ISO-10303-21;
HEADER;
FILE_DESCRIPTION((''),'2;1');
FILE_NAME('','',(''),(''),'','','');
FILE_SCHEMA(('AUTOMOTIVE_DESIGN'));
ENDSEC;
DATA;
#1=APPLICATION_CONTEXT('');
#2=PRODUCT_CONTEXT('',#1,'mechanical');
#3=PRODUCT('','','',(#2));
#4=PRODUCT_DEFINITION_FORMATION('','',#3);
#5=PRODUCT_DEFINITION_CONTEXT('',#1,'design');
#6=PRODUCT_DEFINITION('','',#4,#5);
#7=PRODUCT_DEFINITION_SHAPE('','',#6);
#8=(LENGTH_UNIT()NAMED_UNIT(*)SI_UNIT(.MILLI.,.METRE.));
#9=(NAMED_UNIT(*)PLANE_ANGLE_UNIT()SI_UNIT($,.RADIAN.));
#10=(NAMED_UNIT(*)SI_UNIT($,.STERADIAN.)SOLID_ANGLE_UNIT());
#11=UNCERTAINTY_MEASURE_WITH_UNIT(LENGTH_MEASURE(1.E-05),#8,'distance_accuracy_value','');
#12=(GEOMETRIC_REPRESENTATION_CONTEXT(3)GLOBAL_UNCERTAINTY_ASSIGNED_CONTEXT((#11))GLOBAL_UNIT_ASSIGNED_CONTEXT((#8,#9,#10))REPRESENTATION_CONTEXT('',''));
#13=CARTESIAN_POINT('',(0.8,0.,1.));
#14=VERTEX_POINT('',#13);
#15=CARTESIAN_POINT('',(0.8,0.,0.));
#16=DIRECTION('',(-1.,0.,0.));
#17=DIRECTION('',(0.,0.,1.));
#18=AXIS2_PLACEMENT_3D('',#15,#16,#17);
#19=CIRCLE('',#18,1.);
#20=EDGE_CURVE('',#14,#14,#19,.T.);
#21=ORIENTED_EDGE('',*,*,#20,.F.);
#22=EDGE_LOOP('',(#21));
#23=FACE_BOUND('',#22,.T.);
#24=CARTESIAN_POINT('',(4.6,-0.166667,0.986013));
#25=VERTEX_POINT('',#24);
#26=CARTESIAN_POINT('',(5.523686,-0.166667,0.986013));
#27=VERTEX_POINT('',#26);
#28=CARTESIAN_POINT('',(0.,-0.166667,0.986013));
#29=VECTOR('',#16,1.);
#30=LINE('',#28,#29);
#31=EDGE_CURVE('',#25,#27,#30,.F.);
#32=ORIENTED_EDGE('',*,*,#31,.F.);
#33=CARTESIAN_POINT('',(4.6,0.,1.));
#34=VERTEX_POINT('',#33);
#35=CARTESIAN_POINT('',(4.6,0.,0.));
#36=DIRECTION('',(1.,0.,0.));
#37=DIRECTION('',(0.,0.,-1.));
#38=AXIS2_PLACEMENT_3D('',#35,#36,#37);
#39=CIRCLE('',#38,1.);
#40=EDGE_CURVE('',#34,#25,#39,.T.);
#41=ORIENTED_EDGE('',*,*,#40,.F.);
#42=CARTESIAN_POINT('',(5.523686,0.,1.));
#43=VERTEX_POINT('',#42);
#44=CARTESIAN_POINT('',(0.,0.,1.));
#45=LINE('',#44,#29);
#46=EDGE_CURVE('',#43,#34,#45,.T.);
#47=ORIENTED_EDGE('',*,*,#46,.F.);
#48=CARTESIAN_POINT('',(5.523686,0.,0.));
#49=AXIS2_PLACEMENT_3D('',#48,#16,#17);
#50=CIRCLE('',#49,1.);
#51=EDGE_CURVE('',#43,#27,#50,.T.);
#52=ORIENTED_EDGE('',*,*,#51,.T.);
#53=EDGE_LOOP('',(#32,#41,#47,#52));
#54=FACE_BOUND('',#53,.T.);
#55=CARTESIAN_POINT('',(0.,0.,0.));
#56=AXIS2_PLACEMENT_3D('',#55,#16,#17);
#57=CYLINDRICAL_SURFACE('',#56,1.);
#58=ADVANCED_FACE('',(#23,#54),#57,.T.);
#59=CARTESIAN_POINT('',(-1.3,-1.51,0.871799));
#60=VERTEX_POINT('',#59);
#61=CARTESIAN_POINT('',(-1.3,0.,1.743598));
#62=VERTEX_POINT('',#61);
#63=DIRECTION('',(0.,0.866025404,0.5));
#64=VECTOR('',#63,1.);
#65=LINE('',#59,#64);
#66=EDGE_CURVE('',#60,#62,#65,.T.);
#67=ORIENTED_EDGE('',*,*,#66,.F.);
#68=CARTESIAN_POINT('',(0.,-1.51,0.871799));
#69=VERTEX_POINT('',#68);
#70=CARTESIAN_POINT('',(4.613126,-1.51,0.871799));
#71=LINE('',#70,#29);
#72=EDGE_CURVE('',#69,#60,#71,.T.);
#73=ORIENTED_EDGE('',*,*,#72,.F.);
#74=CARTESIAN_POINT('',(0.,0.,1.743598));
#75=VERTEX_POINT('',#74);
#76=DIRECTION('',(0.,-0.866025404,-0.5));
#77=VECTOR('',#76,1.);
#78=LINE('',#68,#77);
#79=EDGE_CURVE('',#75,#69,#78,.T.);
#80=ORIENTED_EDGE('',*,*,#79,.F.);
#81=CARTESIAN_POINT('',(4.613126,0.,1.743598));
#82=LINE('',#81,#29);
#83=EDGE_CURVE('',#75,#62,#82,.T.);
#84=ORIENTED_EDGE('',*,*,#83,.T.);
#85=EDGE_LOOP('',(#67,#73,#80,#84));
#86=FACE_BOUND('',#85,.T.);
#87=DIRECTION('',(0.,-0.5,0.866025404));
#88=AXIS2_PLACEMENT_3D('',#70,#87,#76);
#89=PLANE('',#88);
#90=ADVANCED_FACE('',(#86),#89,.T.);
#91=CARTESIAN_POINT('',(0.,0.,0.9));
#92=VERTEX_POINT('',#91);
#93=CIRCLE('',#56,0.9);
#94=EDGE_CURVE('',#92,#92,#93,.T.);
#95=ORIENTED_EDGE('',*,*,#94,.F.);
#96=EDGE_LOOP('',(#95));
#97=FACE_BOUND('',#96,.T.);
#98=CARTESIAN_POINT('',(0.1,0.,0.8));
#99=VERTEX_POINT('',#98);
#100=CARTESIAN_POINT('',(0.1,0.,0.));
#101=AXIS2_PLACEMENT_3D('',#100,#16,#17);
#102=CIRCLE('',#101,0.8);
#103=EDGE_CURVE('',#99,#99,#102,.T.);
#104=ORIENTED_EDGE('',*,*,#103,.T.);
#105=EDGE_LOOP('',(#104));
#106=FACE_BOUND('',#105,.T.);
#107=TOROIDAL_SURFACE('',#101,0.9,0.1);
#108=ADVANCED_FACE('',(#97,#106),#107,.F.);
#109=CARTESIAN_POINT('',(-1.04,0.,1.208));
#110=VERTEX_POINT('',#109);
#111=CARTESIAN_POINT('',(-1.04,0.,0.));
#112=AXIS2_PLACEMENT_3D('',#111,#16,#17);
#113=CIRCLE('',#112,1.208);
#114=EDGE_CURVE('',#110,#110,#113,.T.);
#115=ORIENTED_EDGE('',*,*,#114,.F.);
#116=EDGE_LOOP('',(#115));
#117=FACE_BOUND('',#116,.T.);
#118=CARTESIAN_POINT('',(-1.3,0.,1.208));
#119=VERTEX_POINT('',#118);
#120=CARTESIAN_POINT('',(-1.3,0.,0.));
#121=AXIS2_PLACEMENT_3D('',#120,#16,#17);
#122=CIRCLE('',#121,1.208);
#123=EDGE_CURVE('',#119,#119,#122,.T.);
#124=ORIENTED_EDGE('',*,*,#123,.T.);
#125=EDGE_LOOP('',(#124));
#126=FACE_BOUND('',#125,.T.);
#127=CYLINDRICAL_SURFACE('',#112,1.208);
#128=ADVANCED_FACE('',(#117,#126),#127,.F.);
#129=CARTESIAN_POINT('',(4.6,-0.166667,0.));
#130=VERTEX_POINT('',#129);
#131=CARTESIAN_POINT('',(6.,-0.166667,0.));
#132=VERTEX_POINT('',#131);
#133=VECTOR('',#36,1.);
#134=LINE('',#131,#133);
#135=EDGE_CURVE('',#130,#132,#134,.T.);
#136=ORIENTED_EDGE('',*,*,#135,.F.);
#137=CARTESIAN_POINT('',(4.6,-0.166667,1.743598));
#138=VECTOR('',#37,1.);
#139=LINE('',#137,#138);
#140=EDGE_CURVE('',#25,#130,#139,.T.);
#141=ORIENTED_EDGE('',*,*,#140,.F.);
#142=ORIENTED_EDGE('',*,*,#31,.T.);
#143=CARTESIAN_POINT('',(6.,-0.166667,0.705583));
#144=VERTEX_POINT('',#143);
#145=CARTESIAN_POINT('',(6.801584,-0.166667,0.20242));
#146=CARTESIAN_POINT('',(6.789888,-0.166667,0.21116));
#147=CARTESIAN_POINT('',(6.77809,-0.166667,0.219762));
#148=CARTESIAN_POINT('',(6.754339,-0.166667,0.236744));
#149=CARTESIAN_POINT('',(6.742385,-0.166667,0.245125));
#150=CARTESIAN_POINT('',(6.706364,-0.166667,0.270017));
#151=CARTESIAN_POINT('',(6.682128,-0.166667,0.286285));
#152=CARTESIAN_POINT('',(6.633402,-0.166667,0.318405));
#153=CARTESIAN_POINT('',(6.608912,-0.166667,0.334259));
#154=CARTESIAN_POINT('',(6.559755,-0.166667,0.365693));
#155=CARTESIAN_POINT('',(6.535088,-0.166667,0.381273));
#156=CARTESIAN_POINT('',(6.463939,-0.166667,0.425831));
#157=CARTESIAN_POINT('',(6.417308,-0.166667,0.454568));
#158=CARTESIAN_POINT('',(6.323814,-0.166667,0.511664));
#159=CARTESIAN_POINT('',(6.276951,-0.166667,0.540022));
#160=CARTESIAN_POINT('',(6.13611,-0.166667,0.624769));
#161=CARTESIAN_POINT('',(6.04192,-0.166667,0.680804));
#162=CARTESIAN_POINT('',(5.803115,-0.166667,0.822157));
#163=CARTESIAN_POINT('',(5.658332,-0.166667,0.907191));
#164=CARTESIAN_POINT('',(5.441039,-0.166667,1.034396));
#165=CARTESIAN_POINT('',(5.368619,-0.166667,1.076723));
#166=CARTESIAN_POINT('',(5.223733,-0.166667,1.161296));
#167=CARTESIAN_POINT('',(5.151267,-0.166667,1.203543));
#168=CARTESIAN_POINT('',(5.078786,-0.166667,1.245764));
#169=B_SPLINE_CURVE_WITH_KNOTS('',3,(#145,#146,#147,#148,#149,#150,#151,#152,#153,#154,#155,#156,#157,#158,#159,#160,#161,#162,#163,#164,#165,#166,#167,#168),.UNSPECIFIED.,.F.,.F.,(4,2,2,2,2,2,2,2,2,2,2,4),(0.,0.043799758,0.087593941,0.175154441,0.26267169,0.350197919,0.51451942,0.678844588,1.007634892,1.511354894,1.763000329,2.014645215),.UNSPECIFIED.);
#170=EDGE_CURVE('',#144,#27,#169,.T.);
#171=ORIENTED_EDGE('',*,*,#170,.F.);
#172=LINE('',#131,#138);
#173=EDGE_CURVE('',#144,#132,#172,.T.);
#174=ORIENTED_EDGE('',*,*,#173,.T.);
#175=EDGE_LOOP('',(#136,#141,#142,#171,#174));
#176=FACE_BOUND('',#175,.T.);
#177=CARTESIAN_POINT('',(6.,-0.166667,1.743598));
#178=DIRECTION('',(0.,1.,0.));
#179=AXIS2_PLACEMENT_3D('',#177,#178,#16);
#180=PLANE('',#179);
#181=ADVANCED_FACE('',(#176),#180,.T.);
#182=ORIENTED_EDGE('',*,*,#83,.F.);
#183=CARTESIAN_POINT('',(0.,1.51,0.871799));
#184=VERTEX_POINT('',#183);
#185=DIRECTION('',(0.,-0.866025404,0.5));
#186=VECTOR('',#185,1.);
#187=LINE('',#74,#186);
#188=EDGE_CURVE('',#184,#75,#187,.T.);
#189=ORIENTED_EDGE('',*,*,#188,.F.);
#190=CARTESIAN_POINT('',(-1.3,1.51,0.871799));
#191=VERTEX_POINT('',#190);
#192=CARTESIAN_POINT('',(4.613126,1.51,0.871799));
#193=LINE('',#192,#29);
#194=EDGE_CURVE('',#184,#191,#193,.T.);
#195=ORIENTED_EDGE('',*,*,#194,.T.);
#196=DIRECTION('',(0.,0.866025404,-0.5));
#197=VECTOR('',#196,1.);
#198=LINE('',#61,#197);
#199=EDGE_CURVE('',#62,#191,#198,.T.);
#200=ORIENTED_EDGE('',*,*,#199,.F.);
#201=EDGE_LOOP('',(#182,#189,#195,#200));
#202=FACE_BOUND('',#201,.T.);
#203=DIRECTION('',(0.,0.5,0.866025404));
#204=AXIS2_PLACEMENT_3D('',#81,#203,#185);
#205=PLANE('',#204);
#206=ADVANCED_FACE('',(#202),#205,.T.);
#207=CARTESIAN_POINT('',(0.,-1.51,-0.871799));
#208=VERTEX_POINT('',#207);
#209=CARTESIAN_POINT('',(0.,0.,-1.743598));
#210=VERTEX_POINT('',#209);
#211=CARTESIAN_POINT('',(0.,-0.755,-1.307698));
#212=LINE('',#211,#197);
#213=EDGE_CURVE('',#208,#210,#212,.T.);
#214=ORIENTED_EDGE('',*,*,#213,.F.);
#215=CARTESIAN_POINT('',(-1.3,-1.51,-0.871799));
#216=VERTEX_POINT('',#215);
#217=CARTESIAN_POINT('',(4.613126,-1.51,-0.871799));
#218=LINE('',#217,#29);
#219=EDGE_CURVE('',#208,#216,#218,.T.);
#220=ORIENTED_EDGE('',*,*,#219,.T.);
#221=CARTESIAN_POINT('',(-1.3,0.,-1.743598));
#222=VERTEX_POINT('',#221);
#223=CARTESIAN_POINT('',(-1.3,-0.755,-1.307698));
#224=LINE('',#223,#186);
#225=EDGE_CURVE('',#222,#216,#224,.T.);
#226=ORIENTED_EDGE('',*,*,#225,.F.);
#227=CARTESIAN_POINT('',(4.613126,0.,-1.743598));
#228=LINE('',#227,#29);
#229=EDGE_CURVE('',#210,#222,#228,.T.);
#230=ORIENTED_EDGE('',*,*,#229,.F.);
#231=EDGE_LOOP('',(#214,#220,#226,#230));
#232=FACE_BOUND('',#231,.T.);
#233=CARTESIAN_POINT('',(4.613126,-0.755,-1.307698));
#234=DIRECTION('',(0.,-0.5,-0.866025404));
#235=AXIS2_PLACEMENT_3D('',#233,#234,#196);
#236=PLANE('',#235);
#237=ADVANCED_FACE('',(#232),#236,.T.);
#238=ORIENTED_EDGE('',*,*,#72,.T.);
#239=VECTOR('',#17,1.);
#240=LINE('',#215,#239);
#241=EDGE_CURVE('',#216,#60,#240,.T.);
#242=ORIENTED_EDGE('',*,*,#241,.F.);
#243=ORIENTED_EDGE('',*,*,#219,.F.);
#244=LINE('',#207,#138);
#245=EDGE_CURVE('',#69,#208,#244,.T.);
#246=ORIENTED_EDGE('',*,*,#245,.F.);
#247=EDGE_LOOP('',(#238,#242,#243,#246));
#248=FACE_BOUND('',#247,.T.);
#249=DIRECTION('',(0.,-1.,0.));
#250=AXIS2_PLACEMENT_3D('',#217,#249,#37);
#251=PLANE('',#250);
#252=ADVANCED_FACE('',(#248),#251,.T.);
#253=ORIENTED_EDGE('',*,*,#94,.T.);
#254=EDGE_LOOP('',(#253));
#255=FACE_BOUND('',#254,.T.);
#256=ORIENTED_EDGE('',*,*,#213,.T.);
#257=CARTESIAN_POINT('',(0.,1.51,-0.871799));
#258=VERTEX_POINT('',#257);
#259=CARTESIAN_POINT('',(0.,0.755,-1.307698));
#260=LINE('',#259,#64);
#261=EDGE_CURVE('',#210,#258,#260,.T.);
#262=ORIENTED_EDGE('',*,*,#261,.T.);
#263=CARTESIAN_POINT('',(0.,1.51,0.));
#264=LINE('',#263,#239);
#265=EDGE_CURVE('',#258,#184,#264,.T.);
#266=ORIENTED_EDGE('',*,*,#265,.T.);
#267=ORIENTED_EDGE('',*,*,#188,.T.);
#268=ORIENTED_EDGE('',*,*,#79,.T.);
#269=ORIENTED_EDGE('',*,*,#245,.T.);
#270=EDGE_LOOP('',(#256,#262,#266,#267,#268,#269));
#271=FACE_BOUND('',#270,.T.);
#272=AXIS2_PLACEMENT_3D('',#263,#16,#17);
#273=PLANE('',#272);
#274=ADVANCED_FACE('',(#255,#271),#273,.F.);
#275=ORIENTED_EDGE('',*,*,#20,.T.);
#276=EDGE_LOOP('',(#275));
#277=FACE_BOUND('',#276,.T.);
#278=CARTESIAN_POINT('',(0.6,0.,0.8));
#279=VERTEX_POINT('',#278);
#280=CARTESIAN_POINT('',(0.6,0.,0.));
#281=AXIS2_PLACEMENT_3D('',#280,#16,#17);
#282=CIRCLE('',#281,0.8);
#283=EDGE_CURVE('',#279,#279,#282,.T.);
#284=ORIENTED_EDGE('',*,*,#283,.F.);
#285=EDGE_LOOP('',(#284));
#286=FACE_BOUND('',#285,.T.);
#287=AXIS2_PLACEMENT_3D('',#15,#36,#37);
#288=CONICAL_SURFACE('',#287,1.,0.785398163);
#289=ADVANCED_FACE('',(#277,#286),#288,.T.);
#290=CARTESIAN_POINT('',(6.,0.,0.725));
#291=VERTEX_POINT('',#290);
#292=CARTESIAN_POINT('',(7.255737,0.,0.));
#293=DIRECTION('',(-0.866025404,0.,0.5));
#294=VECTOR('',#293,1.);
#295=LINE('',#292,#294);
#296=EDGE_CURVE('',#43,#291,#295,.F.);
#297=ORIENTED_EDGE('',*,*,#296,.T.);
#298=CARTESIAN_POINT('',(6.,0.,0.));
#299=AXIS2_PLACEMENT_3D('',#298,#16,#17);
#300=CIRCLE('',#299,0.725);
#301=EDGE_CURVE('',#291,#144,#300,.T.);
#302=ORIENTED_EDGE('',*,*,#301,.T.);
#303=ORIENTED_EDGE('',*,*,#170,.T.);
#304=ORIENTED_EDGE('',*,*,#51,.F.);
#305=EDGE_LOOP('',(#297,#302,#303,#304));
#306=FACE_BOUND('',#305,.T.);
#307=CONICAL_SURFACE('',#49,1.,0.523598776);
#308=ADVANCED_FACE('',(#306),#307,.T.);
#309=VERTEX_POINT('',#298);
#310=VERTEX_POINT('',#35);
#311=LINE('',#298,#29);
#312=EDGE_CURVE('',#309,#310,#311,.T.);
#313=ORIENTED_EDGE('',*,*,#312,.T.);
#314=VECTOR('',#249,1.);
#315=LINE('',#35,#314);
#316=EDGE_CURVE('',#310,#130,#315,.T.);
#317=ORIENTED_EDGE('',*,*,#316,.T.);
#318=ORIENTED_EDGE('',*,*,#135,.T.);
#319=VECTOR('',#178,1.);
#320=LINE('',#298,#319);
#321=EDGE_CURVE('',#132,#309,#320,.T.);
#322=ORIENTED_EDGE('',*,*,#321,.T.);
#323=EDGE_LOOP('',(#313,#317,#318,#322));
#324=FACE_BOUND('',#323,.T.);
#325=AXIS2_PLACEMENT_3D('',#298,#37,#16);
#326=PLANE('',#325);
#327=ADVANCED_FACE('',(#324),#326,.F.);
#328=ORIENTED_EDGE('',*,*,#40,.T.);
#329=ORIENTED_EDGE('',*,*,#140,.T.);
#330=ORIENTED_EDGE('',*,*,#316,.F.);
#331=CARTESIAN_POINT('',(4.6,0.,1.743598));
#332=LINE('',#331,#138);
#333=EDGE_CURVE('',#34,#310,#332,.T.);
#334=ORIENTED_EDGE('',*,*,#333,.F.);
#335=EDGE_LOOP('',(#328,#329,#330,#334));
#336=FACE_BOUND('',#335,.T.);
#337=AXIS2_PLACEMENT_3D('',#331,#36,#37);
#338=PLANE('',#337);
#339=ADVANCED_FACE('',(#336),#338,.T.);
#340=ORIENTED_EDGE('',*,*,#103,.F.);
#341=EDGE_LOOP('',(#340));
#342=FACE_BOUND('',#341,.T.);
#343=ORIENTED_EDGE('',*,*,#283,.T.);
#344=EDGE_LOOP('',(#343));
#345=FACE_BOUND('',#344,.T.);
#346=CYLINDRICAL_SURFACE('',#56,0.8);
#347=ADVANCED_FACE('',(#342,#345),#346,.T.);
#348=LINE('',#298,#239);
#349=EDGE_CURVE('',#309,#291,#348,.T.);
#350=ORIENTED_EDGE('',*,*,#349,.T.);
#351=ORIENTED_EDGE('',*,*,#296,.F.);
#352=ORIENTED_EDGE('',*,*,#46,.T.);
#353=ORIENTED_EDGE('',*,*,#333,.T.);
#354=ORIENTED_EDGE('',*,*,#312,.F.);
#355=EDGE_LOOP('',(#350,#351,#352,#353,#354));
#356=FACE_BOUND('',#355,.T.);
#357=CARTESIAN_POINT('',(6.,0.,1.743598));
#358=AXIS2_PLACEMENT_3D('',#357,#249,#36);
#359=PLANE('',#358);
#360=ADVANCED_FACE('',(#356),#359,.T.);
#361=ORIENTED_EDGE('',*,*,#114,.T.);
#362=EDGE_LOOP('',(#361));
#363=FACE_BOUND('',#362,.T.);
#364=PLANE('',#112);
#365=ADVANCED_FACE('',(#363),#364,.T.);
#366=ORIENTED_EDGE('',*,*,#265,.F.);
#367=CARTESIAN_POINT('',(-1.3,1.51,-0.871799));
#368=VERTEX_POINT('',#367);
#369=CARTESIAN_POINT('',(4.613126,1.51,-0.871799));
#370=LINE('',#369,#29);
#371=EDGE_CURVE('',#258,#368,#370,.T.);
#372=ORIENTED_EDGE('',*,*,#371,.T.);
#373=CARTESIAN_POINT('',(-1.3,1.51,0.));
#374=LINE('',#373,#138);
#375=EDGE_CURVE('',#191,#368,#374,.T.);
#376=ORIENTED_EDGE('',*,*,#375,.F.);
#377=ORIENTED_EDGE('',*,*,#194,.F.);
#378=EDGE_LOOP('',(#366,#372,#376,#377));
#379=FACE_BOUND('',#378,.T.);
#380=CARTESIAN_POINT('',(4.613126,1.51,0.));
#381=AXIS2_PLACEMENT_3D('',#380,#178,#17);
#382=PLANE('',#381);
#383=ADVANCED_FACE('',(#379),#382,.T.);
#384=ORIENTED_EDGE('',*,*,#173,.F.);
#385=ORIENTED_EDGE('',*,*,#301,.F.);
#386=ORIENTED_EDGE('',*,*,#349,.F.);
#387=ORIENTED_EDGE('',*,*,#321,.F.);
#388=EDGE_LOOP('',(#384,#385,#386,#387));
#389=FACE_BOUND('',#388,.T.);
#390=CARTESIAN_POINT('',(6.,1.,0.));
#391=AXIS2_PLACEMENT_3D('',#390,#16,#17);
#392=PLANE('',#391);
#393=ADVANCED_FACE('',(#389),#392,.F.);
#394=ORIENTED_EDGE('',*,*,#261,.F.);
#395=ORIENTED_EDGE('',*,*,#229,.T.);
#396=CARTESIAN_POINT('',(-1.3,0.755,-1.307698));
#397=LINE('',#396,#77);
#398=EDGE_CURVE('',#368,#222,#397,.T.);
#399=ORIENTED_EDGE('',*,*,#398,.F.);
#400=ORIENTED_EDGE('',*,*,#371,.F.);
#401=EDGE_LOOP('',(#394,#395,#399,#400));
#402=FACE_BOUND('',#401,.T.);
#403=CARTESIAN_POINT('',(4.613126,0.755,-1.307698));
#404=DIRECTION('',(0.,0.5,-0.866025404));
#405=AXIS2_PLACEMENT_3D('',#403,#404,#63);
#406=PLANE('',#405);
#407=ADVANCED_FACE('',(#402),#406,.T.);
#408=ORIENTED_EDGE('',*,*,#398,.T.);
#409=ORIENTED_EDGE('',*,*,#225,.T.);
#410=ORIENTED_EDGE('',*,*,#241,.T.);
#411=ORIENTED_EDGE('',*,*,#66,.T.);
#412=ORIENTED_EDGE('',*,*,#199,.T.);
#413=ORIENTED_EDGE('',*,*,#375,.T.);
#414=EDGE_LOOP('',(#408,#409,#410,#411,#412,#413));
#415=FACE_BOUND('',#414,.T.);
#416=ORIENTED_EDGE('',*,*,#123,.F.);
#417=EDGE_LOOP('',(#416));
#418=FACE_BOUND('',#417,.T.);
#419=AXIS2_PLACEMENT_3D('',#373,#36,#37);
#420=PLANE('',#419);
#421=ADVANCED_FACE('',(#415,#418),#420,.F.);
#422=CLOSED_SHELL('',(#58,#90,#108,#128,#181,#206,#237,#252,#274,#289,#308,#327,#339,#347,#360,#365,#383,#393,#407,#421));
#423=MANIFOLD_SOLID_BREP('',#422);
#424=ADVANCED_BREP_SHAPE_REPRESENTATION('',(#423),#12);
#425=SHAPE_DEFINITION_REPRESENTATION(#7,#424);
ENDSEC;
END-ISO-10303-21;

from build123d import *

# Parameters (mm, degrees)
EXTRUDE1_DEPTH           = 1.3
SKETCH11_W               = 1.4
SKETCH11_H               = 0.166666667
POINT_CUT_EXTRUDE8_DEPTH = 2.743597813
SKETCH16_R               = 1.208
CUT_EXTRUDE1_DEPTH       = 0.26


with BuildPart() as part:
    # Sketch1 → base-Revolve (revolve)
    with BuildSketch(Plane.XY):
        with BuildLine():
            Line((6, 1), (6, 0))
            Line((6, 0), (0, 0))
            Line((0, 0), (-1.04, 0))
            Line((-1.04, 0), (-1.3, 0))
            Line((-1.3, 0), (-1.3, 1.51))
            Line((-1.3, 1.51), (0, 1.51))
            Line((0, 1.51), (0, 0.9))
            ThreePointArc((0, 0.9), (0.029289322, 0.829289322), (0.1, 0.8))
            Line((0.1, 0.8), (0.6, 0.8))
            Line((0.6, 0.8), (0.8, 1))
            Line((0.8, 1), (6, 1))
        make_face()
    revolve(axis=Axis((0, 0, 0), (1, 0, 0)))

    # Sketch15 → Extrude1 (add)
    with BuildSketch(Plane.ZY.offset(1.3)):
        Polygon((-0.871798906, 1.51), (-1.743597813, 0), (-0.871798906, -1.51), (0.871798906, -1.51), (1.743597813, 0), (0.871798906, 1.51), align=None)
    extrude(amount=-EXTRUDE1_DEPTH)

    # Sketch8 → point_Cut-Revolve1 (revolve, cut)
    with BuildSketch(Plane.XY):
        Polygon((6, 0), (6.508, 0), (6.508, 1.508), (5.523686028, 1.508), (5.523686028, 1), (6, 0.725), align=None)
    revolve(axis=Axis((0, 0, 0), (1, 0, 0)), mode=Mode.SUBTRACT)

    # Sketch11 → point_Cut-Extrude8 (cut, through all)
    with BuildSketch(Plane.XY):
        with Locations((5.3, -0.083333334)):
            Rectangle(SKETCH11_W, SKETCH11_H)
    extrude(amount=POINT_CUT_EXTRUDE8_DEPTH, mode=Mode.SUBTRACT)

    # Sketch16 → Cut-Extrude1 (cut)
    with BuildSketch(Plane.ZY.offset(1.3)):
        Circle(SKETCH16_R)
    extrude(amount=-CUT_EXTRUDE1_DEPTH, mode=Mode.SUBTRACT)


solid = part.part
